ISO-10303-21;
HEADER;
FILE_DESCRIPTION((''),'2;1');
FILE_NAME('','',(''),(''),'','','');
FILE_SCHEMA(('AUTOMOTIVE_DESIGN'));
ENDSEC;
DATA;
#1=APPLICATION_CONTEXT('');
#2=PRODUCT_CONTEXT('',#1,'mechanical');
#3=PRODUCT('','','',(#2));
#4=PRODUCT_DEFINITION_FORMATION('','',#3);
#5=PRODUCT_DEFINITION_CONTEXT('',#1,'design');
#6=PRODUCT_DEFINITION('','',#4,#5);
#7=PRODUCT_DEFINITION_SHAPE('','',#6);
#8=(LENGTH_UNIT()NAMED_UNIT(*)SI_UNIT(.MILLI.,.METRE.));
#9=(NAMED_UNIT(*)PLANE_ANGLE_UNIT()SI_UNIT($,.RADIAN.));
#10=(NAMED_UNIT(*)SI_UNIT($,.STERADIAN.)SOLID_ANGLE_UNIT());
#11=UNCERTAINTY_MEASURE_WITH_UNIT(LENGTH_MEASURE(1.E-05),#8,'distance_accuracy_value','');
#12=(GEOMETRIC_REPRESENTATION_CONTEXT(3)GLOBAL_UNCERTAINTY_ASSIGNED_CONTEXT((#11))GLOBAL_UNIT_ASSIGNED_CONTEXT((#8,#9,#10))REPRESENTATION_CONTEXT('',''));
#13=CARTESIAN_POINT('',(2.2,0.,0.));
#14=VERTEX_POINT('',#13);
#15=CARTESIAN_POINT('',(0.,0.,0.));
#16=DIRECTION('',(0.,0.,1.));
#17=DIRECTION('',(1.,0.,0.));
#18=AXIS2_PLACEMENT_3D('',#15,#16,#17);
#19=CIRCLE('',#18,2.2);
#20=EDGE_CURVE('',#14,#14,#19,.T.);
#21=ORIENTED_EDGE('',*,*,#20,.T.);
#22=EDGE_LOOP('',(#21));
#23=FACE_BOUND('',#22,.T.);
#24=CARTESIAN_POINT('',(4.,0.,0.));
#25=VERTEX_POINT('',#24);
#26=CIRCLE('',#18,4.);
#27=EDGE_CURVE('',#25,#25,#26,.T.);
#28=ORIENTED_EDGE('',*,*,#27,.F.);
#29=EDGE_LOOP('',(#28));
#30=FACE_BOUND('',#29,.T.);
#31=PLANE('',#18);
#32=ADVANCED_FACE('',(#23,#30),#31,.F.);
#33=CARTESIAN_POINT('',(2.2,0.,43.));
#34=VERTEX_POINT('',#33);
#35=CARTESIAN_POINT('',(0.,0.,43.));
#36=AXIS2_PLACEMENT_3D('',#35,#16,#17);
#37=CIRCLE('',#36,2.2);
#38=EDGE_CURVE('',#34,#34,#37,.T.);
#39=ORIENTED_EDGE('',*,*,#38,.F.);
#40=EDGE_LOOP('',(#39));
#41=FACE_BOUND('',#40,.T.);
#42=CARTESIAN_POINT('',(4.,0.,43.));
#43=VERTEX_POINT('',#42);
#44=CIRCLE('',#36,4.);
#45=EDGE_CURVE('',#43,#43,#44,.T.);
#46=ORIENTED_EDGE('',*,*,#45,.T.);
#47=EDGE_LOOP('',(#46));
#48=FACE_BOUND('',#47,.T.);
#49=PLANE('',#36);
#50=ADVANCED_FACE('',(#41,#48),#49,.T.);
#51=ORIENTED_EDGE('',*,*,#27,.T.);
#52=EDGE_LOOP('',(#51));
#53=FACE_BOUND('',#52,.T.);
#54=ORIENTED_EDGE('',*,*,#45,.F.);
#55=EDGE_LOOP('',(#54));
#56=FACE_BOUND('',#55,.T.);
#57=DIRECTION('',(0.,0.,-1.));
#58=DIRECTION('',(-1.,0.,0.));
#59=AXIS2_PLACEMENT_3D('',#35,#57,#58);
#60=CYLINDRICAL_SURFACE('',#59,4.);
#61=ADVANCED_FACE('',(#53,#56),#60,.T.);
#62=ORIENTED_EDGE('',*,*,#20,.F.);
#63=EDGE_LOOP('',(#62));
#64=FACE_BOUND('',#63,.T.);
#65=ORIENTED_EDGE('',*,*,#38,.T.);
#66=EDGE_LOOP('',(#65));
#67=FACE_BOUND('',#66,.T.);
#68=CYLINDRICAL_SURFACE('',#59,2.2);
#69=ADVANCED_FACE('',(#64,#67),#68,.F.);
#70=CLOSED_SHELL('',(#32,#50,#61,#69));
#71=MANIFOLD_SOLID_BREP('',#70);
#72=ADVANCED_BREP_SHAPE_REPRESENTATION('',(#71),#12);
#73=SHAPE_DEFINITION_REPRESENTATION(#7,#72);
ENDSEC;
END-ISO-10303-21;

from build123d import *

# Parameters (mm, degrees)
M4_CLEARANCE_PROFILE_R   = 4
M4_CLEARANCE_PROFILE_R_2 = 2.2
M4_CLEARANCE_DEPTH       = 43


with BuildPart() as part:
    # M4 clearance profile → M4 clearance (new body)
    with BuildSketch(Plane.XY):
        Circle(M4_CLEARANCE_PROFILE_R)
        Circle(M4_CLEARANCE_PROFILE_R_2, mode=Mode.SUBTRACT)
    extrude(amount=M4_CLEARANCE_DEPTH)


solid = part.part
